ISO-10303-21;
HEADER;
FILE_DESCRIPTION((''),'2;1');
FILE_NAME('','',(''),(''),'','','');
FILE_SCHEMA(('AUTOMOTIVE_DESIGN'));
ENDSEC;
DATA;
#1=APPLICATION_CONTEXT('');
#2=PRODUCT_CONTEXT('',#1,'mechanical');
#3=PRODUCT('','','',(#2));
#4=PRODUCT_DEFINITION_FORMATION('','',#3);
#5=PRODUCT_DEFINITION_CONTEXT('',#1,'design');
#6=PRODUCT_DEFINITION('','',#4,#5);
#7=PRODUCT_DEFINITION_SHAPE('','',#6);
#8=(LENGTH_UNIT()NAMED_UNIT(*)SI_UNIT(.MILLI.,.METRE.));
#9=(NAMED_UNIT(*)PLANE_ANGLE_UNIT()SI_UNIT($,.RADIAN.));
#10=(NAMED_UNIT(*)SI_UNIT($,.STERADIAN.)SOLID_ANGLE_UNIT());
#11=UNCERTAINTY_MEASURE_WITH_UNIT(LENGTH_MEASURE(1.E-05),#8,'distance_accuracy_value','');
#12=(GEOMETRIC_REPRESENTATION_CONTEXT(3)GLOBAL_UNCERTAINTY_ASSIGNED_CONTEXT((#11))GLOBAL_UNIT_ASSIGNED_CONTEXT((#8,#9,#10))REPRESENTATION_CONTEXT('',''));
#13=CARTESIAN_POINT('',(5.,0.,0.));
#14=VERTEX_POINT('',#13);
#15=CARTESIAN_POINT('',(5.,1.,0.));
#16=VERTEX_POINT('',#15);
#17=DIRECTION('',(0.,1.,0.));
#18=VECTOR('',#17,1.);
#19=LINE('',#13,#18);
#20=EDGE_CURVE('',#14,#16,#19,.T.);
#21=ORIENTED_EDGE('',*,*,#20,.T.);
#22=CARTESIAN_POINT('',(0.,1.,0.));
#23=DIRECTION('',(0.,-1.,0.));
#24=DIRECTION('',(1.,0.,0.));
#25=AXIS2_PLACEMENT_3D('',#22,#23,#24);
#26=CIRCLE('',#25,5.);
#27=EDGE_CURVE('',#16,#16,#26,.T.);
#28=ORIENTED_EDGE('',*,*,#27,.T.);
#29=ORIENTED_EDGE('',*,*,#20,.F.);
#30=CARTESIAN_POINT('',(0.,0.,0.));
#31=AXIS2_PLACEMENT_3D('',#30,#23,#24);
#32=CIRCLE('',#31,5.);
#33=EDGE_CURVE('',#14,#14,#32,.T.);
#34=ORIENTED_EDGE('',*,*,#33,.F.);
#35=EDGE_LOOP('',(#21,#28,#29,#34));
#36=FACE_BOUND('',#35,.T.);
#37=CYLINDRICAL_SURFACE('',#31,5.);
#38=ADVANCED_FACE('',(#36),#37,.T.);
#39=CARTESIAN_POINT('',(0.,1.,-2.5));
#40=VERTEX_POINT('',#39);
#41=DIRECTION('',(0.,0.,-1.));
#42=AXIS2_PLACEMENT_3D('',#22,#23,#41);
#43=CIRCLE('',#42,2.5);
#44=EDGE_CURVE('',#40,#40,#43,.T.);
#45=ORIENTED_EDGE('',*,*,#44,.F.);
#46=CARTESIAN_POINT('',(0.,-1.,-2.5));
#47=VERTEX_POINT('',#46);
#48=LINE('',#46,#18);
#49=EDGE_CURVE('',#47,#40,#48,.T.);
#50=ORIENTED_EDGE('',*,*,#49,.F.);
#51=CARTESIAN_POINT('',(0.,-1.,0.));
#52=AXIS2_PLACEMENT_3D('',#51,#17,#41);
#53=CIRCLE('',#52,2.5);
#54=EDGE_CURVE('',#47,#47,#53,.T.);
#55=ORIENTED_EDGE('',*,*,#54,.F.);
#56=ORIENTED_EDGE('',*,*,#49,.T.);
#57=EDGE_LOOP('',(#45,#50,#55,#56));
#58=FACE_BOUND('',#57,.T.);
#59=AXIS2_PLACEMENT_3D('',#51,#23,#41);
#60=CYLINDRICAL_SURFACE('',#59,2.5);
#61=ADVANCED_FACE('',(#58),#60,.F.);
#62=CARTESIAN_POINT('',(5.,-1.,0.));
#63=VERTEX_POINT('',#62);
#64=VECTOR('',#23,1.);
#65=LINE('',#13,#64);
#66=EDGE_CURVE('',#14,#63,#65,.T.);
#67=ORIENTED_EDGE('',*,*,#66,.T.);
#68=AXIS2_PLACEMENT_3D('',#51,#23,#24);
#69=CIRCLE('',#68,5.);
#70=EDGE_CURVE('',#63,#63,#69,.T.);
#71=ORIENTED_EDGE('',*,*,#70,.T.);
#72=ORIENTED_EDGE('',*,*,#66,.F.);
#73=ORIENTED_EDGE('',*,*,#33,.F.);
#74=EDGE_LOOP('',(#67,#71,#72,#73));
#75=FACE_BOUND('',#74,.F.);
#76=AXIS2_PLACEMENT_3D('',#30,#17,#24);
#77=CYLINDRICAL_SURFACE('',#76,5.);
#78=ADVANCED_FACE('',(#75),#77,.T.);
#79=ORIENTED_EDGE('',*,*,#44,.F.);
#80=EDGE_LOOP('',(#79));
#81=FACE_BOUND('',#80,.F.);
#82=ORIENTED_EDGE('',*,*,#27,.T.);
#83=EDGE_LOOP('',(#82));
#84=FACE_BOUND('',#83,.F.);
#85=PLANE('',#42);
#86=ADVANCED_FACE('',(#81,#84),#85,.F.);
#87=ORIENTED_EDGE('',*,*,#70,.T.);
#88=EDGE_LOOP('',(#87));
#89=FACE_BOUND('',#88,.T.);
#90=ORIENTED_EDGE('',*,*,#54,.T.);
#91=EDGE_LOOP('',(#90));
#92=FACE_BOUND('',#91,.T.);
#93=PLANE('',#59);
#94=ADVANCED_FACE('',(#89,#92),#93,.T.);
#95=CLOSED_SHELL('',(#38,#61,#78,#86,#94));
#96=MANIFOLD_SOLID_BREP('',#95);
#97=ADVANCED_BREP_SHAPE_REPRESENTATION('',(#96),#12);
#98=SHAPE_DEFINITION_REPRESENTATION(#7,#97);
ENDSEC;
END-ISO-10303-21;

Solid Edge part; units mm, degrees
sketch "Sketch1" plane through (0, 0, 0) normal (0, -1, 0) x (1, 0, 0)
  circle A0 centre (0, 0) radius 5
extrude "Protrusion1" add sketch "Sketch1" along normal mid plane 2
hole "Hole_1" at (0, -1, 0) direction (0, 1, 0) diameter 5 end up to next
